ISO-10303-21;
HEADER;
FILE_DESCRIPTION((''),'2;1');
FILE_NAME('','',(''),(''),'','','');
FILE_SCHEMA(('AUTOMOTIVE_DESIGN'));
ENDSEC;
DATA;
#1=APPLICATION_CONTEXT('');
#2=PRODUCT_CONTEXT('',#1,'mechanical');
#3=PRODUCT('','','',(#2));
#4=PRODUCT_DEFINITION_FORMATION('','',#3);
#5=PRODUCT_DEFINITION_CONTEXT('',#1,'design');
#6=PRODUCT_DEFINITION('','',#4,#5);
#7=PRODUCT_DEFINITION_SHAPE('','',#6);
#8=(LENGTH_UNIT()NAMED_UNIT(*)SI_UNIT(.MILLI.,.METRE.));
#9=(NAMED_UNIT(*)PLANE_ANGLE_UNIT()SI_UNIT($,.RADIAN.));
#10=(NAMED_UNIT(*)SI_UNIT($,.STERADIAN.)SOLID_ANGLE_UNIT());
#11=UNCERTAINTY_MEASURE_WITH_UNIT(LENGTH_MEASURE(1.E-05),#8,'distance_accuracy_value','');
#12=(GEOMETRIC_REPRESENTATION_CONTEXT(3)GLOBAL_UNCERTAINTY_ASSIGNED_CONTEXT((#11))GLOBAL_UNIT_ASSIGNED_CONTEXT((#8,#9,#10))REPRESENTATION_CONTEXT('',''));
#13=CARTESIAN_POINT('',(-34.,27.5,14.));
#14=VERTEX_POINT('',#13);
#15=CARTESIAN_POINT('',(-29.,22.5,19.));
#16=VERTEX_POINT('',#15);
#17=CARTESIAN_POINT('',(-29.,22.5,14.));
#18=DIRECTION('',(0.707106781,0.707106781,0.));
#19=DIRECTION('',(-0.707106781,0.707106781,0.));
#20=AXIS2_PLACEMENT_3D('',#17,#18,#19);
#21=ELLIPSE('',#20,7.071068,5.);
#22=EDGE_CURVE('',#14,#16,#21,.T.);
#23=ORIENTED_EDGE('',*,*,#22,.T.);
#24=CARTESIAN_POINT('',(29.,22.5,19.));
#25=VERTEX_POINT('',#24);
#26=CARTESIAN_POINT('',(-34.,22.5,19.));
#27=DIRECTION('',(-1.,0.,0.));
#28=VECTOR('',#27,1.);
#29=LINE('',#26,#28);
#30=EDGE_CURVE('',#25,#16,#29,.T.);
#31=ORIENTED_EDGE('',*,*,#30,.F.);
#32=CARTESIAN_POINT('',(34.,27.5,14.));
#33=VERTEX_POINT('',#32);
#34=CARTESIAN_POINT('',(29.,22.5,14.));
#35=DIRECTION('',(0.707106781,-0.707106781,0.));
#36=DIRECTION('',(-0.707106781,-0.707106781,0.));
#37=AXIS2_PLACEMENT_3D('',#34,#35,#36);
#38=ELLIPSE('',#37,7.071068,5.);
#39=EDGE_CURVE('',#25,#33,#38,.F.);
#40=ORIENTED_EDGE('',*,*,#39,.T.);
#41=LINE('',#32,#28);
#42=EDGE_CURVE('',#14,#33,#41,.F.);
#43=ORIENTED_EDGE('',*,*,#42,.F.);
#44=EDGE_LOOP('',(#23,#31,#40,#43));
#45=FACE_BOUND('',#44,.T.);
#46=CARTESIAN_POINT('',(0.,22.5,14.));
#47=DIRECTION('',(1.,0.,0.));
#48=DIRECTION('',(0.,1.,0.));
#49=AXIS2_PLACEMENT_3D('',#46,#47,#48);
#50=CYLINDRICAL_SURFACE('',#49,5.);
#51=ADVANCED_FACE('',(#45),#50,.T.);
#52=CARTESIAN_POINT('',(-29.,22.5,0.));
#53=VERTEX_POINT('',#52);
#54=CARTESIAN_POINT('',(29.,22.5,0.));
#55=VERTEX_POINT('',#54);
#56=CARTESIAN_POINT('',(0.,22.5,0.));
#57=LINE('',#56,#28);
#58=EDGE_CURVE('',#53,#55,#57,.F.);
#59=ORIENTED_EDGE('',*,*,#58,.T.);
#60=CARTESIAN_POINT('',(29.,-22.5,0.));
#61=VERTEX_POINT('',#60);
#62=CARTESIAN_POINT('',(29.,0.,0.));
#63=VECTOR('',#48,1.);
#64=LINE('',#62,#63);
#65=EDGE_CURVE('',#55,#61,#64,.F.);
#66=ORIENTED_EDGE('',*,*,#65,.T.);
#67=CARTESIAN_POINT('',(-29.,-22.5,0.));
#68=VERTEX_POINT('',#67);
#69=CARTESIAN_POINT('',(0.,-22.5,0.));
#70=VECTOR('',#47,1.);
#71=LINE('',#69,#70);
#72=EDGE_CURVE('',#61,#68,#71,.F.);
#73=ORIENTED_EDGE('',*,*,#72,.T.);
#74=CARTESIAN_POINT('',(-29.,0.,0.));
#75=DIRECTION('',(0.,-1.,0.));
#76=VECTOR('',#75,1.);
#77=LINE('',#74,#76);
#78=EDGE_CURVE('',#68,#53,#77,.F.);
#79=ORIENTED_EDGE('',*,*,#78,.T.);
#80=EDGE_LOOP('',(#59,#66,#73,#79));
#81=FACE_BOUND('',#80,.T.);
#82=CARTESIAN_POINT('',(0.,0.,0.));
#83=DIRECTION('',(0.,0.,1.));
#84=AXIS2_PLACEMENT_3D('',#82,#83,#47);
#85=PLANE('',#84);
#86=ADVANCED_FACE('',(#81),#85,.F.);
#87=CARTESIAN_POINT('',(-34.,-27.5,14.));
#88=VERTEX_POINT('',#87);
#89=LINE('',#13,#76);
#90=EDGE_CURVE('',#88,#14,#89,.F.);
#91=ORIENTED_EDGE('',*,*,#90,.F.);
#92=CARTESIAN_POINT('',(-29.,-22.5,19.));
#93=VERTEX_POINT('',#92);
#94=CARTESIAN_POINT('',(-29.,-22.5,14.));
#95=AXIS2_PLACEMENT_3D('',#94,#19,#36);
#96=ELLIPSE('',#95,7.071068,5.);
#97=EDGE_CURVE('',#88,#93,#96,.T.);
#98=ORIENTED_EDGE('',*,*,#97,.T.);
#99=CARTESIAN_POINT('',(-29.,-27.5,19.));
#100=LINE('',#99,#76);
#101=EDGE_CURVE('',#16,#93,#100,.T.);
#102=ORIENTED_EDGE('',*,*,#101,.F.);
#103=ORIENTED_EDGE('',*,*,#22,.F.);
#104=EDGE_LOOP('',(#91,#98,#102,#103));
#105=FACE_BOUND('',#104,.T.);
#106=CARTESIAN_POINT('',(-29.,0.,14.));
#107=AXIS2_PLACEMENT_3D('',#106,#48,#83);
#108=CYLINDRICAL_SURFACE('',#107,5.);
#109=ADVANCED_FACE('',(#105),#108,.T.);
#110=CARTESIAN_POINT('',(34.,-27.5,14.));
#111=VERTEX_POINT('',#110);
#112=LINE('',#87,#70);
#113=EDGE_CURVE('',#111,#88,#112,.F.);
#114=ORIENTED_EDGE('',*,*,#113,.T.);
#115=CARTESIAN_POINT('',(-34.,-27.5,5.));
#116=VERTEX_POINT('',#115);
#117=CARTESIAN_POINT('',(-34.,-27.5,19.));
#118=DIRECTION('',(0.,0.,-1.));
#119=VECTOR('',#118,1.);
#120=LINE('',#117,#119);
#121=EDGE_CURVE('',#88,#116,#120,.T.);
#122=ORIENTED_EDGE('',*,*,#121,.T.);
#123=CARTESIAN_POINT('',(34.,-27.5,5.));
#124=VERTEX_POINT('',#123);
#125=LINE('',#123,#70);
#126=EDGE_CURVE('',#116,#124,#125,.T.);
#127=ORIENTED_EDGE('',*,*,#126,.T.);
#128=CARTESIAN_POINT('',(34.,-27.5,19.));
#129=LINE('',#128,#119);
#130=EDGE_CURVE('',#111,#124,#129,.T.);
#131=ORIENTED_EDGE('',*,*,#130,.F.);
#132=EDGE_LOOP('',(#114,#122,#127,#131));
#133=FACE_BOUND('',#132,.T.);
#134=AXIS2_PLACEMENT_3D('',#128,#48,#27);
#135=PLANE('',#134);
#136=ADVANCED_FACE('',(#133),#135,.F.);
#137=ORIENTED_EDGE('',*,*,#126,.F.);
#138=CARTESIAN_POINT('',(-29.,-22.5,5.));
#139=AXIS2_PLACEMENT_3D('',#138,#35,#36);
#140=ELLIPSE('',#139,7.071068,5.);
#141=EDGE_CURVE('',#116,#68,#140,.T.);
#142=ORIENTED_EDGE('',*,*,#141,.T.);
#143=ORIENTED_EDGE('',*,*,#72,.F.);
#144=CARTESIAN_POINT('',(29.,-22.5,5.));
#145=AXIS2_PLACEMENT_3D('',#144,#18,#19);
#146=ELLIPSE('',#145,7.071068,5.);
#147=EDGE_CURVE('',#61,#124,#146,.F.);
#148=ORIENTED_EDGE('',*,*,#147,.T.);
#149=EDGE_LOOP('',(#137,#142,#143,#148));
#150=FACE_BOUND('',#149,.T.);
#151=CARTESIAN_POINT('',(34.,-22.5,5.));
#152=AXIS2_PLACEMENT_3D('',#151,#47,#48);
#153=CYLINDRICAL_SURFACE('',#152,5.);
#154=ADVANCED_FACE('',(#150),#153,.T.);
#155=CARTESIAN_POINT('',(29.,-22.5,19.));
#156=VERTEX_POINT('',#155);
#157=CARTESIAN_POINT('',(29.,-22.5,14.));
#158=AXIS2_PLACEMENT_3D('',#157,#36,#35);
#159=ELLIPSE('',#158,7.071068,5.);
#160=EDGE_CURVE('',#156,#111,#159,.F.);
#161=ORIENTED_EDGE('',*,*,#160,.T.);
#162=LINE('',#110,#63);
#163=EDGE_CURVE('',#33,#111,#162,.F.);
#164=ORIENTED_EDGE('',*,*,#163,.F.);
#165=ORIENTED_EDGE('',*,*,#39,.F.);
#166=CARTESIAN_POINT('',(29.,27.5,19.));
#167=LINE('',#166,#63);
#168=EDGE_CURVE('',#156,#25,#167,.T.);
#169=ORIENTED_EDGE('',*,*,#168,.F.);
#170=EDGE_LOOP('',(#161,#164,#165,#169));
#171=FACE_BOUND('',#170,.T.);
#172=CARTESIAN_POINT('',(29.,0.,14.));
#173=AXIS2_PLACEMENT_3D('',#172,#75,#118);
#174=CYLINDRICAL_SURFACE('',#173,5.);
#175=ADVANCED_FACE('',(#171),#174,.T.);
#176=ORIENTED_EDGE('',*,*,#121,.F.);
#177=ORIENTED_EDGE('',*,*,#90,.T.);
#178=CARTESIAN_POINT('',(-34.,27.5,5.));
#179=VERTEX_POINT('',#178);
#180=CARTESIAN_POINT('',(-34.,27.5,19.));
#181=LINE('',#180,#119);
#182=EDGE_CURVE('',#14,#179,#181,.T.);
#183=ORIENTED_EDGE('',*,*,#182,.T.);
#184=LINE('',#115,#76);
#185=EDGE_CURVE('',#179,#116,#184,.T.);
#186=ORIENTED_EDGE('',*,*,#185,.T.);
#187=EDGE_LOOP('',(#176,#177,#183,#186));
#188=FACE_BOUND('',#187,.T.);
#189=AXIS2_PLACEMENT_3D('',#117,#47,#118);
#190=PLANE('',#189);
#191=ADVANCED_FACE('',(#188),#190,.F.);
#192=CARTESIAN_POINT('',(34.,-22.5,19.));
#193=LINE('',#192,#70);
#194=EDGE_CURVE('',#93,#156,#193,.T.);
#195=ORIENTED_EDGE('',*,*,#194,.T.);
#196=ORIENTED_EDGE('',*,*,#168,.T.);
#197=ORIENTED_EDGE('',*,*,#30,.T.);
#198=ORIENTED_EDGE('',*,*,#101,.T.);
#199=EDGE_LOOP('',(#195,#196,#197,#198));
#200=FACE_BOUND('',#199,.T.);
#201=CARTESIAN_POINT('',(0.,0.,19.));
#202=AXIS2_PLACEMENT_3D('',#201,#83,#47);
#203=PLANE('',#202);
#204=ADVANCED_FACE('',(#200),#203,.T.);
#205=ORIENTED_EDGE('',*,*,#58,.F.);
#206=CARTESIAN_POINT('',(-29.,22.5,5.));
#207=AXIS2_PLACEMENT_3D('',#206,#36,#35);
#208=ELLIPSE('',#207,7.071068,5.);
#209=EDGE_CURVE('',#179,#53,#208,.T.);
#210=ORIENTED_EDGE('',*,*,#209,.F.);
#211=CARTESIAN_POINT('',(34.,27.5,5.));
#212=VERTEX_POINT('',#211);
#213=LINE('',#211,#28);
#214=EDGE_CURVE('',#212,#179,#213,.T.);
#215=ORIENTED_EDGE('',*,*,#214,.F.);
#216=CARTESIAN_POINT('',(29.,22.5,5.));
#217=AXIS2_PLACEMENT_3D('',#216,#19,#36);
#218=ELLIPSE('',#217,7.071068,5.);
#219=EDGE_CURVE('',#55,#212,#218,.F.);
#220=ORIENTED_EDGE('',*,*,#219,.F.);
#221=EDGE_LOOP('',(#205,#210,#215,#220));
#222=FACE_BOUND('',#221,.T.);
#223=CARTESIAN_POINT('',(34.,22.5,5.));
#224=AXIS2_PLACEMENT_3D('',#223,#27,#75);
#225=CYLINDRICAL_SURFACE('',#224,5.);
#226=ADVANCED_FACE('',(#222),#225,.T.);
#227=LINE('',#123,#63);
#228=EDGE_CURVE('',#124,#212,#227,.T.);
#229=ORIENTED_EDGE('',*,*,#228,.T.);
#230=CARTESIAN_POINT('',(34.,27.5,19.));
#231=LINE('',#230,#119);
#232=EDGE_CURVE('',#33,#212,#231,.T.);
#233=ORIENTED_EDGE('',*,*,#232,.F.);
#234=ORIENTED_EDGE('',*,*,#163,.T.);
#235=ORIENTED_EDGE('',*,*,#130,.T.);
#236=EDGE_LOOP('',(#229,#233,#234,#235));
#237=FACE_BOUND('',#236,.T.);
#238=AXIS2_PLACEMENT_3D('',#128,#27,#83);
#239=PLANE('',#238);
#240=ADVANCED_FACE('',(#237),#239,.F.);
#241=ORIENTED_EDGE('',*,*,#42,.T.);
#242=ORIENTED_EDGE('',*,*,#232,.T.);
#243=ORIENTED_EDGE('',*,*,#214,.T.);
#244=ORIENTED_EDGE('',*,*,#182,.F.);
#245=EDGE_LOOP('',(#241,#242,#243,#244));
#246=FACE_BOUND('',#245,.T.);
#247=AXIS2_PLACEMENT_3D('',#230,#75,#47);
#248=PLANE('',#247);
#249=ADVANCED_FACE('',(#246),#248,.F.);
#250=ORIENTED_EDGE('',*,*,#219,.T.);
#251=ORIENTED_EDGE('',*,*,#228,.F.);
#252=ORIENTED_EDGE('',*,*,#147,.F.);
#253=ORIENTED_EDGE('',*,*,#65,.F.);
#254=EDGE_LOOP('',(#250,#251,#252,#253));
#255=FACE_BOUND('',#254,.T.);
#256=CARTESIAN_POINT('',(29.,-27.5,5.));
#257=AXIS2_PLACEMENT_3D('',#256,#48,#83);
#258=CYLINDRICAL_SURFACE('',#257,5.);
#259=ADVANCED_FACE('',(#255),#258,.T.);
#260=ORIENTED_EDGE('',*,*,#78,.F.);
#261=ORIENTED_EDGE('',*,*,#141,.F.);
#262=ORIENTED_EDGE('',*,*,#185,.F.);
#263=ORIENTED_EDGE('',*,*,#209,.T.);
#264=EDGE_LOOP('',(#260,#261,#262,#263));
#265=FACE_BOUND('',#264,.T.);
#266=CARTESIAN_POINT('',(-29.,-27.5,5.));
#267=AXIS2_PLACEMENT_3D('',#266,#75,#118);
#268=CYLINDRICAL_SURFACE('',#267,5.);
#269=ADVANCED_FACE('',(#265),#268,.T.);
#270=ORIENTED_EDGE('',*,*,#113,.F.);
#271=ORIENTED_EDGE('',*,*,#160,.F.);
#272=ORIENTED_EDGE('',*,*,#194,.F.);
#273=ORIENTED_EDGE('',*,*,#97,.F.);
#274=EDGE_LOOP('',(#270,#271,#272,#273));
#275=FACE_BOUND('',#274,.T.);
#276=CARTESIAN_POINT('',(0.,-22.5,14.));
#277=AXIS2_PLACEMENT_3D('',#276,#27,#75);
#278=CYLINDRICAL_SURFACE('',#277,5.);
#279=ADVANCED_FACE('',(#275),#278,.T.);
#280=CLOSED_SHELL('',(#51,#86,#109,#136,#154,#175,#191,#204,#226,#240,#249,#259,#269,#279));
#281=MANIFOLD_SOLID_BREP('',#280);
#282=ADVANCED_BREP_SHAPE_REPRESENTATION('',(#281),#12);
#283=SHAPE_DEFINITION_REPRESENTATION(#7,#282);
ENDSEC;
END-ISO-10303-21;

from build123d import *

# Parameters (mm, degrees)
SKETCH_1_W      = 68
SKETCH_1_H      = 55
EXTRUDE_1_DEPTH = 19
FILLET_1_R      = 5


with BuildPart() as part:
    # 草图1 → 凸台-拉伸1 (new body)
    with BuildSketch(Plane.XY):
        Rectangle(SKETCH_1_W, SKETCH_1_H)
    extrude(amount=EXTRUDE_1_DEPTH)

    # 圆角1
    fillet_1_edges = [part.edges().sort_by_distance(p)[0] for p in [
        (34, 0, 19),
        (0, 27.5, 19),
        (-34, 0, 19),
        (0, 27.5, 0),
        (34, 0, 0),
        (0, -27.5, 0),
        (-34, 0, 0),
        (0, -27.5, 19),
    ]]
    fillet(fillet_1_edges, radius=FILLET_1_R)


solid = part.part
